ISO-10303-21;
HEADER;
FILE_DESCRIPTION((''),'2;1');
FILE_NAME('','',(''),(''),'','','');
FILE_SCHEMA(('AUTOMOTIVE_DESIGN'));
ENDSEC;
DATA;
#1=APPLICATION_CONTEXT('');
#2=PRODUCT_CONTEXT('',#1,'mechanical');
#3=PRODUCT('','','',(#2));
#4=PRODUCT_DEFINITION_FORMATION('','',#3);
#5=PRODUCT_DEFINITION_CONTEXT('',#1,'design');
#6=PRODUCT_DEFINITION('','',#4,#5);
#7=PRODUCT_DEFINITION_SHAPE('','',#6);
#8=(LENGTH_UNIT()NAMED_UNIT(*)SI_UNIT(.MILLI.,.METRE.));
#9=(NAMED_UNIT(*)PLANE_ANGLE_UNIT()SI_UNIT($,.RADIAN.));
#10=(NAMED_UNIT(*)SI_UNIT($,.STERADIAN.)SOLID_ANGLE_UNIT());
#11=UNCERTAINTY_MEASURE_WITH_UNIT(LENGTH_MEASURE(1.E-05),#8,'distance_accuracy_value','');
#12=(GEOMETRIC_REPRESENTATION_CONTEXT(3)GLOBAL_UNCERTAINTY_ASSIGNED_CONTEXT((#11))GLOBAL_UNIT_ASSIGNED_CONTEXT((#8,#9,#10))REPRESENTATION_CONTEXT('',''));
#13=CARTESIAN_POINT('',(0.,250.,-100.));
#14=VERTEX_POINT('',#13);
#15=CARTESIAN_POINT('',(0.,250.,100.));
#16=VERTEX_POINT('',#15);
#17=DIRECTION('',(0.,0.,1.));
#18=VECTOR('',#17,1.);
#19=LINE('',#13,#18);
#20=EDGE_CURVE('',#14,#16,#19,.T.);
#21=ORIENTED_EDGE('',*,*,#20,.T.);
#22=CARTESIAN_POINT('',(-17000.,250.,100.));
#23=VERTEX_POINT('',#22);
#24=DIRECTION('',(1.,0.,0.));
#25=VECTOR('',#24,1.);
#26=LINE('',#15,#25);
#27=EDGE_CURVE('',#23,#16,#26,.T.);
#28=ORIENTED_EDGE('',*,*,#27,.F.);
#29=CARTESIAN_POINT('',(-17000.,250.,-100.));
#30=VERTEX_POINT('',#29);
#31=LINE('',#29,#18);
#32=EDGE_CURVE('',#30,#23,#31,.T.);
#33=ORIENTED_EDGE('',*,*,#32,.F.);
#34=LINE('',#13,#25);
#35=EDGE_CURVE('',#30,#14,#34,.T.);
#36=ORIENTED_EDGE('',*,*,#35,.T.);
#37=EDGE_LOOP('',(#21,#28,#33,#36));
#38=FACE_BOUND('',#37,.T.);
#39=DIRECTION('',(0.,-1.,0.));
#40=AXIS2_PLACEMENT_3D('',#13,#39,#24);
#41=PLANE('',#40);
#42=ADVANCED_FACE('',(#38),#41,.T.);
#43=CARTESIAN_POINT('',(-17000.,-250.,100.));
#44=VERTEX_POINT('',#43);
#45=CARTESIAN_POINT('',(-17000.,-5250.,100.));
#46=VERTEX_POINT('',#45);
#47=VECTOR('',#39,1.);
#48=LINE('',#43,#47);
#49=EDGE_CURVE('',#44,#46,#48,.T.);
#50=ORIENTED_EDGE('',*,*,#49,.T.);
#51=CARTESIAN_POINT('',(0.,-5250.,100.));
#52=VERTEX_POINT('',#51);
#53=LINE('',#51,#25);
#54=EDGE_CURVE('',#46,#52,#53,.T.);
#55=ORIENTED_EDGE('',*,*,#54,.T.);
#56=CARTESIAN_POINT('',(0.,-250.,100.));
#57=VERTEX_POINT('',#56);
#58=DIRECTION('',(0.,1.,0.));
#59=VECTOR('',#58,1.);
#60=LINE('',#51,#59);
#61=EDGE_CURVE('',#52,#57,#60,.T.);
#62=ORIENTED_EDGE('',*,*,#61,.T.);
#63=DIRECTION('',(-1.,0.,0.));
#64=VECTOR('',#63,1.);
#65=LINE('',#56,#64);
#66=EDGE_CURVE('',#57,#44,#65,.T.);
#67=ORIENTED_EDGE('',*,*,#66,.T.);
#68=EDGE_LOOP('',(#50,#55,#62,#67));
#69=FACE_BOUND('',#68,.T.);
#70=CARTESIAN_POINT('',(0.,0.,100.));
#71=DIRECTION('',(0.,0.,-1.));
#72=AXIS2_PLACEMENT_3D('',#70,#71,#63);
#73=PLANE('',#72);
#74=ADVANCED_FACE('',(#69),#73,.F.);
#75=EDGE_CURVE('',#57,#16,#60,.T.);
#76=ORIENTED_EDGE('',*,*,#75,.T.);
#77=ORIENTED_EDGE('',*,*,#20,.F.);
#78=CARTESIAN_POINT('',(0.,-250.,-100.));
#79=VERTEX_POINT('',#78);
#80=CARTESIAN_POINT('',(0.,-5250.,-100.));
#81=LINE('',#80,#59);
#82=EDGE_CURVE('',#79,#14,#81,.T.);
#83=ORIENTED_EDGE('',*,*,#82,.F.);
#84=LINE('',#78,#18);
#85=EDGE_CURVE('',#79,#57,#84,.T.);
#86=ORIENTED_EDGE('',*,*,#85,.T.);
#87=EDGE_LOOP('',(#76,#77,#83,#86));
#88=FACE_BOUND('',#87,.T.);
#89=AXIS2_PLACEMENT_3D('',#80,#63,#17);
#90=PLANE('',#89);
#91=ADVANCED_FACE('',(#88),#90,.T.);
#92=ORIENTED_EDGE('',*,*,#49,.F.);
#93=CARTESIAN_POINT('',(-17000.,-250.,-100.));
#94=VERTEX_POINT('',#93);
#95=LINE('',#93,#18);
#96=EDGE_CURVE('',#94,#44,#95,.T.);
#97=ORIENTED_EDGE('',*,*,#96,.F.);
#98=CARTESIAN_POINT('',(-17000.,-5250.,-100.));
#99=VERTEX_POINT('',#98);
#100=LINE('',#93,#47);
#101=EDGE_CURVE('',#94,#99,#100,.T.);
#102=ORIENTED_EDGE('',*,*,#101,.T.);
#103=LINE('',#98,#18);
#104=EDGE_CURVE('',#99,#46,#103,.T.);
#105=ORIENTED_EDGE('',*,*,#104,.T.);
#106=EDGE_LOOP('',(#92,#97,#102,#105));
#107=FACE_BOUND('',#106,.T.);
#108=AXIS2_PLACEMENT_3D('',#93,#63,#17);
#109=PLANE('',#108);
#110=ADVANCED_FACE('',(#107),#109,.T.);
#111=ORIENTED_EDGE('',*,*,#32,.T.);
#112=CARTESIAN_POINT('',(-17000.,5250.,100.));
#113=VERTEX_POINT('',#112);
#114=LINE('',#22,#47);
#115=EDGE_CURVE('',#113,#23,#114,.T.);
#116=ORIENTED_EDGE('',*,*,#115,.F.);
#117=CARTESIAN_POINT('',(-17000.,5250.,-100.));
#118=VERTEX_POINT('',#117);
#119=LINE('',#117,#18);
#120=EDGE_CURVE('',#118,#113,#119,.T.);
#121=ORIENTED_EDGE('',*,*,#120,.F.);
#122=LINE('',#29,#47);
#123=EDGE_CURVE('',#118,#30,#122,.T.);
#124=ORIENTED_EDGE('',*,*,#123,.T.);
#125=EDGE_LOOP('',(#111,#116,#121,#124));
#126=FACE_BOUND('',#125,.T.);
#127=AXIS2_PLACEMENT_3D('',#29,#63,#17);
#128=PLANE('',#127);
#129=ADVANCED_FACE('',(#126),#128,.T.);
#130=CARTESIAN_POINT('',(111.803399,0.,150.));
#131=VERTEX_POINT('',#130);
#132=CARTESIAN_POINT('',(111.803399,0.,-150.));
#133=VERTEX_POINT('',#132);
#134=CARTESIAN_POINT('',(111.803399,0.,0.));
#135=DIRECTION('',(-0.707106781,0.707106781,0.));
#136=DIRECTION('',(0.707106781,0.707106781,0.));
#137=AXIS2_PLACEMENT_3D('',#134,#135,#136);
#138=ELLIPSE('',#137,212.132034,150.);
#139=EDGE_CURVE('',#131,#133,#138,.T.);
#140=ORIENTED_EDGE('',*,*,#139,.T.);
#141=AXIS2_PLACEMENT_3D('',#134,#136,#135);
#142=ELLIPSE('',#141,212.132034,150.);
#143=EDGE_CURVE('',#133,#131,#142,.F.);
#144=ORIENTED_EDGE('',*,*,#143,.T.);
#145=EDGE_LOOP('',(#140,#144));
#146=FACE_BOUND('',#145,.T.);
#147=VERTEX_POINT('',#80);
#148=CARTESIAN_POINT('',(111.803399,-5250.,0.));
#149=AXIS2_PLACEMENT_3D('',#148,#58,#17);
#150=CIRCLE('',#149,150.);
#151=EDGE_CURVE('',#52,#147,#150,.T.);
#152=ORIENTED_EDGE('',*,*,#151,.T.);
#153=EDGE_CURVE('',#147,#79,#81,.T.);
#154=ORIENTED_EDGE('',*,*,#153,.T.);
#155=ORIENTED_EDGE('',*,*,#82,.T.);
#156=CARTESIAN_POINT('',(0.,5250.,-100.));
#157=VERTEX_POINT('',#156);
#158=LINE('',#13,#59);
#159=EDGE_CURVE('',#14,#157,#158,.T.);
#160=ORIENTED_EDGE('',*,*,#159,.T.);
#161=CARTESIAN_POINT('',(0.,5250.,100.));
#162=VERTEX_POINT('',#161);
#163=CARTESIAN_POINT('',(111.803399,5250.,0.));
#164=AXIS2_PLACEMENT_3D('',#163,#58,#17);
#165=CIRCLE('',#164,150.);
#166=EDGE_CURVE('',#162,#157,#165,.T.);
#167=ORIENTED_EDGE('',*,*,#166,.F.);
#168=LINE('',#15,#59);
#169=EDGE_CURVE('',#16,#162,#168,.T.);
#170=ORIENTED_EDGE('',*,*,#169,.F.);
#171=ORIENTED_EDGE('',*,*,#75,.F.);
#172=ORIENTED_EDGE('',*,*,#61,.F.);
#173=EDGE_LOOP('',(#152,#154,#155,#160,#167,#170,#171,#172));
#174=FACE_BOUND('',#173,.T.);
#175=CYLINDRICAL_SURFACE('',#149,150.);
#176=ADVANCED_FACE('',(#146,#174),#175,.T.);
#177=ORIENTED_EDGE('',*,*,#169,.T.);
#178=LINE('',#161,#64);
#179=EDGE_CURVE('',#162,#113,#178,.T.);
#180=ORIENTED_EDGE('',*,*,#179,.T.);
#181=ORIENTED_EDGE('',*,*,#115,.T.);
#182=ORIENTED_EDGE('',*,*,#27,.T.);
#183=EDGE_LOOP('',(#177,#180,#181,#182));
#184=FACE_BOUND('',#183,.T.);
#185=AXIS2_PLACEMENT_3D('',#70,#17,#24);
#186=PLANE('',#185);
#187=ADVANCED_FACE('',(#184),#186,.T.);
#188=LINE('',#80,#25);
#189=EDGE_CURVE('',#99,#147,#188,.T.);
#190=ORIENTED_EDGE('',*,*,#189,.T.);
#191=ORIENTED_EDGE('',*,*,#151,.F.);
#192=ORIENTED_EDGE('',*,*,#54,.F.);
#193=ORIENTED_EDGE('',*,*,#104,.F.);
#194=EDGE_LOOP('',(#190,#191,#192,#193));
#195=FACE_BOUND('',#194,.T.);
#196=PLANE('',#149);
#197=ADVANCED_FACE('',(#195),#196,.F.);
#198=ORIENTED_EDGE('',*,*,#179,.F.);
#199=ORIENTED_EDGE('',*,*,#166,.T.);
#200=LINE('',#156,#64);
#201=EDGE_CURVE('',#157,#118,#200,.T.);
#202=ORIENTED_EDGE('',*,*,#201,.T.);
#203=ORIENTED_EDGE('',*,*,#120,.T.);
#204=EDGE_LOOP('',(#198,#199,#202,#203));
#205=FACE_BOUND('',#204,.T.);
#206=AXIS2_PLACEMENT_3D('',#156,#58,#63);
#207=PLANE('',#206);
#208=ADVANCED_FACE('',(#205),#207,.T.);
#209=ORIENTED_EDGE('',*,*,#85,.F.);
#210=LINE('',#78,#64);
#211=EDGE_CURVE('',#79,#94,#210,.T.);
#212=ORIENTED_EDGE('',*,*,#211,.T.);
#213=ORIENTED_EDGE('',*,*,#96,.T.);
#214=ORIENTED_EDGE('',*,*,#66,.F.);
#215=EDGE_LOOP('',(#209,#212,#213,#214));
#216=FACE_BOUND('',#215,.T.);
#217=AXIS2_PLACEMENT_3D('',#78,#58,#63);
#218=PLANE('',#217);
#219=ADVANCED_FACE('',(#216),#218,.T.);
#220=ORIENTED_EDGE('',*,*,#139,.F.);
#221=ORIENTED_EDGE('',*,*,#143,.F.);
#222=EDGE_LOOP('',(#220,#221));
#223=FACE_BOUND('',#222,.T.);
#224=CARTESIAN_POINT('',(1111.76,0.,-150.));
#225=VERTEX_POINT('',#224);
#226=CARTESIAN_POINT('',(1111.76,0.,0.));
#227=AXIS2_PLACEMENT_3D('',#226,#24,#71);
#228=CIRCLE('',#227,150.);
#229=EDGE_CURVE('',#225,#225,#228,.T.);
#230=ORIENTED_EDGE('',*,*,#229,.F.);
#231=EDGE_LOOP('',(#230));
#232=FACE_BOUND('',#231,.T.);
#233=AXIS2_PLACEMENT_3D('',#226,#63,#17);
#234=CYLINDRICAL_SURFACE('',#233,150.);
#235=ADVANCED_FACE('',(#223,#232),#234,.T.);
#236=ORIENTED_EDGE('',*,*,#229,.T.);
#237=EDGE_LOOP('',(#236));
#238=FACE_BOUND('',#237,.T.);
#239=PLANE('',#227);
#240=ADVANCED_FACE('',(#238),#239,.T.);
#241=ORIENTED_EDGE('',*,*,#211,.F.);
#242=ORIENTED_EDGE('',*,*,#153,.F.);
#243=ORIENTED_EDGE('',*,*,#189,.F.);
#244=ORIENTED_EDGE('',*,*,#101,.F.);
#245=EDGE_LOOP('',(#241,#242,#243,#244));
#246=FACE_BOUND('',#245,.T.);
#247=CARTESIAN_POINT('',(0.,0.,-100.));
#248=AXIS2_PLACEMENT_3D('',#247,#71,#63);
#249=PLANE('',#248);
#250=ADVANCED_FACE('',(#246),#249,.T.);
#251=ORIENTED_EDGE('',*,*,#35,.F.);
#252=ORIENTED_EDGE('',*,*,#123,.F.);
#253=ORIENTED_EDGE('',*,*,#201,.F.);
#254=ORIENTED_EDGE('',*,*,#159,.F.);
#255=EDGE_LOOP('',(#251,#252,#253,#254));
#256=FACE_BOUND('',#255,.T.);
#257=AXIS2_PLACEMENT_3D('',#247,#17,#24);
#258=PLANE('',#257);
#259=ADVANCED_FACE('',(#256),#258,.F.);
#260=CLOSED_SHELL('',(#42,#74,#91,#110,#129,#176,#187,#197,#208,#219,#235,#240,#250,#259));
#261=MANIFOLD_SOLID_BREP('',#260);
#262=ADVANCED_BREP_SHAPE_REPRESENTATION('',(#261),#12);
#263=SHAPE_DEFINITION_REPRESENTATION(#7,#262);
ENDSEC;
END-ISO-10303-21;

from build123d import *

# Parameters (mm, degrees)
BOSS_EXTRUDE1_DEPTH        = 100
BOSS_EXTRUDE1_DEPTH_BACK   = 100
SKETCH2_W                  = 17000
SKETCH2_H                  = 5000
BOSS_EXTRUDE1_2_DEPTH      = 100
BOSS_EXTRUDE1_2_DEPTH_BACK = 100
BOSS_EXTRUDE2_DEPTH        = 5250
BOSS_EXTRUDE2_DEPTH_BACK   = 5250
BOSS_EXTRUDE3_START        = 111.76
SKETCH5_R                  = 150
BOSS_EXTRUDE3_DEPTH        = 1000


with BuildPart() as part:
    # Sketch2 → Boss-Extrude1 (new, two sides: drawn at the far end of the back side and taken through both)
    with BuildSketch(Plane.XY.offset(-BOSS_EXTRUDE1_DEPTH_BACK)):
        with Locations((-8500, -2750)):
            Rectangle(SKETCH2_W, SKETCH2_H)
    extrude(amount=BOSS_EXTRUDE1_DEPTH + BOSS_EXTRUDE1_DEPTH_BACK)



with BuildPart() as body_2:
    # Sketch2 → Boss-Extrude1 2 (new, two sides: drawn at the far end of the back side and taken through both)
    with BuildSketch(Plane.XY.offset(-BOSS_EXTRUDE1_2_DEPTH_BACK)):
        with Locations((-8500, 2750)):
            Rectangle(SKETCH2_W, SKETCH2_H)
    extrude(amount=BOSS_EXTRUDE1_2_DEPTH + BOSS_EXTRUDE1_2_DEPTH_BACK)


with BuildPart() as part_1:
    add(part.part)

    add(body_2.part)  # Boss-Extrude2 merges body 2
    # Sketch4 → Boss-Extrude2 (add, two sides: drawn at the far end of the back side and taken through both)
    with BuildSketch(Plane(origin=(0, 0, 0), x_dir=(1, 0, 0), z_dir=(0, 1, 0)).offset(-BOSS_EXTRUDE2_DEPTH_BACK)):
        with BuildLine():
            Line((0, 100), (0, -100))
            ThreePointArc((0, -100), (261.803398875, 0), (0, 100))
        make_face()
    extrude(amount=BOSS_EXTRUDE2_DEPTH + BOSS_EXTRUDE2_DEPTH_BACK)

    # Sketch5 → Boss-Extrude3 (add)
    with BuildSketch(Plane(origin=(0, 0, 0), x_dir=(0, 0, -1), z_dir=(1, 0, 0)).offset(BOSS_EXTRUDE3_START)):
        Circle(SKETCH5_R)
    extrude(amount=BOSS_EXTRUDE3_DEPTH)


solid = part_1.part
